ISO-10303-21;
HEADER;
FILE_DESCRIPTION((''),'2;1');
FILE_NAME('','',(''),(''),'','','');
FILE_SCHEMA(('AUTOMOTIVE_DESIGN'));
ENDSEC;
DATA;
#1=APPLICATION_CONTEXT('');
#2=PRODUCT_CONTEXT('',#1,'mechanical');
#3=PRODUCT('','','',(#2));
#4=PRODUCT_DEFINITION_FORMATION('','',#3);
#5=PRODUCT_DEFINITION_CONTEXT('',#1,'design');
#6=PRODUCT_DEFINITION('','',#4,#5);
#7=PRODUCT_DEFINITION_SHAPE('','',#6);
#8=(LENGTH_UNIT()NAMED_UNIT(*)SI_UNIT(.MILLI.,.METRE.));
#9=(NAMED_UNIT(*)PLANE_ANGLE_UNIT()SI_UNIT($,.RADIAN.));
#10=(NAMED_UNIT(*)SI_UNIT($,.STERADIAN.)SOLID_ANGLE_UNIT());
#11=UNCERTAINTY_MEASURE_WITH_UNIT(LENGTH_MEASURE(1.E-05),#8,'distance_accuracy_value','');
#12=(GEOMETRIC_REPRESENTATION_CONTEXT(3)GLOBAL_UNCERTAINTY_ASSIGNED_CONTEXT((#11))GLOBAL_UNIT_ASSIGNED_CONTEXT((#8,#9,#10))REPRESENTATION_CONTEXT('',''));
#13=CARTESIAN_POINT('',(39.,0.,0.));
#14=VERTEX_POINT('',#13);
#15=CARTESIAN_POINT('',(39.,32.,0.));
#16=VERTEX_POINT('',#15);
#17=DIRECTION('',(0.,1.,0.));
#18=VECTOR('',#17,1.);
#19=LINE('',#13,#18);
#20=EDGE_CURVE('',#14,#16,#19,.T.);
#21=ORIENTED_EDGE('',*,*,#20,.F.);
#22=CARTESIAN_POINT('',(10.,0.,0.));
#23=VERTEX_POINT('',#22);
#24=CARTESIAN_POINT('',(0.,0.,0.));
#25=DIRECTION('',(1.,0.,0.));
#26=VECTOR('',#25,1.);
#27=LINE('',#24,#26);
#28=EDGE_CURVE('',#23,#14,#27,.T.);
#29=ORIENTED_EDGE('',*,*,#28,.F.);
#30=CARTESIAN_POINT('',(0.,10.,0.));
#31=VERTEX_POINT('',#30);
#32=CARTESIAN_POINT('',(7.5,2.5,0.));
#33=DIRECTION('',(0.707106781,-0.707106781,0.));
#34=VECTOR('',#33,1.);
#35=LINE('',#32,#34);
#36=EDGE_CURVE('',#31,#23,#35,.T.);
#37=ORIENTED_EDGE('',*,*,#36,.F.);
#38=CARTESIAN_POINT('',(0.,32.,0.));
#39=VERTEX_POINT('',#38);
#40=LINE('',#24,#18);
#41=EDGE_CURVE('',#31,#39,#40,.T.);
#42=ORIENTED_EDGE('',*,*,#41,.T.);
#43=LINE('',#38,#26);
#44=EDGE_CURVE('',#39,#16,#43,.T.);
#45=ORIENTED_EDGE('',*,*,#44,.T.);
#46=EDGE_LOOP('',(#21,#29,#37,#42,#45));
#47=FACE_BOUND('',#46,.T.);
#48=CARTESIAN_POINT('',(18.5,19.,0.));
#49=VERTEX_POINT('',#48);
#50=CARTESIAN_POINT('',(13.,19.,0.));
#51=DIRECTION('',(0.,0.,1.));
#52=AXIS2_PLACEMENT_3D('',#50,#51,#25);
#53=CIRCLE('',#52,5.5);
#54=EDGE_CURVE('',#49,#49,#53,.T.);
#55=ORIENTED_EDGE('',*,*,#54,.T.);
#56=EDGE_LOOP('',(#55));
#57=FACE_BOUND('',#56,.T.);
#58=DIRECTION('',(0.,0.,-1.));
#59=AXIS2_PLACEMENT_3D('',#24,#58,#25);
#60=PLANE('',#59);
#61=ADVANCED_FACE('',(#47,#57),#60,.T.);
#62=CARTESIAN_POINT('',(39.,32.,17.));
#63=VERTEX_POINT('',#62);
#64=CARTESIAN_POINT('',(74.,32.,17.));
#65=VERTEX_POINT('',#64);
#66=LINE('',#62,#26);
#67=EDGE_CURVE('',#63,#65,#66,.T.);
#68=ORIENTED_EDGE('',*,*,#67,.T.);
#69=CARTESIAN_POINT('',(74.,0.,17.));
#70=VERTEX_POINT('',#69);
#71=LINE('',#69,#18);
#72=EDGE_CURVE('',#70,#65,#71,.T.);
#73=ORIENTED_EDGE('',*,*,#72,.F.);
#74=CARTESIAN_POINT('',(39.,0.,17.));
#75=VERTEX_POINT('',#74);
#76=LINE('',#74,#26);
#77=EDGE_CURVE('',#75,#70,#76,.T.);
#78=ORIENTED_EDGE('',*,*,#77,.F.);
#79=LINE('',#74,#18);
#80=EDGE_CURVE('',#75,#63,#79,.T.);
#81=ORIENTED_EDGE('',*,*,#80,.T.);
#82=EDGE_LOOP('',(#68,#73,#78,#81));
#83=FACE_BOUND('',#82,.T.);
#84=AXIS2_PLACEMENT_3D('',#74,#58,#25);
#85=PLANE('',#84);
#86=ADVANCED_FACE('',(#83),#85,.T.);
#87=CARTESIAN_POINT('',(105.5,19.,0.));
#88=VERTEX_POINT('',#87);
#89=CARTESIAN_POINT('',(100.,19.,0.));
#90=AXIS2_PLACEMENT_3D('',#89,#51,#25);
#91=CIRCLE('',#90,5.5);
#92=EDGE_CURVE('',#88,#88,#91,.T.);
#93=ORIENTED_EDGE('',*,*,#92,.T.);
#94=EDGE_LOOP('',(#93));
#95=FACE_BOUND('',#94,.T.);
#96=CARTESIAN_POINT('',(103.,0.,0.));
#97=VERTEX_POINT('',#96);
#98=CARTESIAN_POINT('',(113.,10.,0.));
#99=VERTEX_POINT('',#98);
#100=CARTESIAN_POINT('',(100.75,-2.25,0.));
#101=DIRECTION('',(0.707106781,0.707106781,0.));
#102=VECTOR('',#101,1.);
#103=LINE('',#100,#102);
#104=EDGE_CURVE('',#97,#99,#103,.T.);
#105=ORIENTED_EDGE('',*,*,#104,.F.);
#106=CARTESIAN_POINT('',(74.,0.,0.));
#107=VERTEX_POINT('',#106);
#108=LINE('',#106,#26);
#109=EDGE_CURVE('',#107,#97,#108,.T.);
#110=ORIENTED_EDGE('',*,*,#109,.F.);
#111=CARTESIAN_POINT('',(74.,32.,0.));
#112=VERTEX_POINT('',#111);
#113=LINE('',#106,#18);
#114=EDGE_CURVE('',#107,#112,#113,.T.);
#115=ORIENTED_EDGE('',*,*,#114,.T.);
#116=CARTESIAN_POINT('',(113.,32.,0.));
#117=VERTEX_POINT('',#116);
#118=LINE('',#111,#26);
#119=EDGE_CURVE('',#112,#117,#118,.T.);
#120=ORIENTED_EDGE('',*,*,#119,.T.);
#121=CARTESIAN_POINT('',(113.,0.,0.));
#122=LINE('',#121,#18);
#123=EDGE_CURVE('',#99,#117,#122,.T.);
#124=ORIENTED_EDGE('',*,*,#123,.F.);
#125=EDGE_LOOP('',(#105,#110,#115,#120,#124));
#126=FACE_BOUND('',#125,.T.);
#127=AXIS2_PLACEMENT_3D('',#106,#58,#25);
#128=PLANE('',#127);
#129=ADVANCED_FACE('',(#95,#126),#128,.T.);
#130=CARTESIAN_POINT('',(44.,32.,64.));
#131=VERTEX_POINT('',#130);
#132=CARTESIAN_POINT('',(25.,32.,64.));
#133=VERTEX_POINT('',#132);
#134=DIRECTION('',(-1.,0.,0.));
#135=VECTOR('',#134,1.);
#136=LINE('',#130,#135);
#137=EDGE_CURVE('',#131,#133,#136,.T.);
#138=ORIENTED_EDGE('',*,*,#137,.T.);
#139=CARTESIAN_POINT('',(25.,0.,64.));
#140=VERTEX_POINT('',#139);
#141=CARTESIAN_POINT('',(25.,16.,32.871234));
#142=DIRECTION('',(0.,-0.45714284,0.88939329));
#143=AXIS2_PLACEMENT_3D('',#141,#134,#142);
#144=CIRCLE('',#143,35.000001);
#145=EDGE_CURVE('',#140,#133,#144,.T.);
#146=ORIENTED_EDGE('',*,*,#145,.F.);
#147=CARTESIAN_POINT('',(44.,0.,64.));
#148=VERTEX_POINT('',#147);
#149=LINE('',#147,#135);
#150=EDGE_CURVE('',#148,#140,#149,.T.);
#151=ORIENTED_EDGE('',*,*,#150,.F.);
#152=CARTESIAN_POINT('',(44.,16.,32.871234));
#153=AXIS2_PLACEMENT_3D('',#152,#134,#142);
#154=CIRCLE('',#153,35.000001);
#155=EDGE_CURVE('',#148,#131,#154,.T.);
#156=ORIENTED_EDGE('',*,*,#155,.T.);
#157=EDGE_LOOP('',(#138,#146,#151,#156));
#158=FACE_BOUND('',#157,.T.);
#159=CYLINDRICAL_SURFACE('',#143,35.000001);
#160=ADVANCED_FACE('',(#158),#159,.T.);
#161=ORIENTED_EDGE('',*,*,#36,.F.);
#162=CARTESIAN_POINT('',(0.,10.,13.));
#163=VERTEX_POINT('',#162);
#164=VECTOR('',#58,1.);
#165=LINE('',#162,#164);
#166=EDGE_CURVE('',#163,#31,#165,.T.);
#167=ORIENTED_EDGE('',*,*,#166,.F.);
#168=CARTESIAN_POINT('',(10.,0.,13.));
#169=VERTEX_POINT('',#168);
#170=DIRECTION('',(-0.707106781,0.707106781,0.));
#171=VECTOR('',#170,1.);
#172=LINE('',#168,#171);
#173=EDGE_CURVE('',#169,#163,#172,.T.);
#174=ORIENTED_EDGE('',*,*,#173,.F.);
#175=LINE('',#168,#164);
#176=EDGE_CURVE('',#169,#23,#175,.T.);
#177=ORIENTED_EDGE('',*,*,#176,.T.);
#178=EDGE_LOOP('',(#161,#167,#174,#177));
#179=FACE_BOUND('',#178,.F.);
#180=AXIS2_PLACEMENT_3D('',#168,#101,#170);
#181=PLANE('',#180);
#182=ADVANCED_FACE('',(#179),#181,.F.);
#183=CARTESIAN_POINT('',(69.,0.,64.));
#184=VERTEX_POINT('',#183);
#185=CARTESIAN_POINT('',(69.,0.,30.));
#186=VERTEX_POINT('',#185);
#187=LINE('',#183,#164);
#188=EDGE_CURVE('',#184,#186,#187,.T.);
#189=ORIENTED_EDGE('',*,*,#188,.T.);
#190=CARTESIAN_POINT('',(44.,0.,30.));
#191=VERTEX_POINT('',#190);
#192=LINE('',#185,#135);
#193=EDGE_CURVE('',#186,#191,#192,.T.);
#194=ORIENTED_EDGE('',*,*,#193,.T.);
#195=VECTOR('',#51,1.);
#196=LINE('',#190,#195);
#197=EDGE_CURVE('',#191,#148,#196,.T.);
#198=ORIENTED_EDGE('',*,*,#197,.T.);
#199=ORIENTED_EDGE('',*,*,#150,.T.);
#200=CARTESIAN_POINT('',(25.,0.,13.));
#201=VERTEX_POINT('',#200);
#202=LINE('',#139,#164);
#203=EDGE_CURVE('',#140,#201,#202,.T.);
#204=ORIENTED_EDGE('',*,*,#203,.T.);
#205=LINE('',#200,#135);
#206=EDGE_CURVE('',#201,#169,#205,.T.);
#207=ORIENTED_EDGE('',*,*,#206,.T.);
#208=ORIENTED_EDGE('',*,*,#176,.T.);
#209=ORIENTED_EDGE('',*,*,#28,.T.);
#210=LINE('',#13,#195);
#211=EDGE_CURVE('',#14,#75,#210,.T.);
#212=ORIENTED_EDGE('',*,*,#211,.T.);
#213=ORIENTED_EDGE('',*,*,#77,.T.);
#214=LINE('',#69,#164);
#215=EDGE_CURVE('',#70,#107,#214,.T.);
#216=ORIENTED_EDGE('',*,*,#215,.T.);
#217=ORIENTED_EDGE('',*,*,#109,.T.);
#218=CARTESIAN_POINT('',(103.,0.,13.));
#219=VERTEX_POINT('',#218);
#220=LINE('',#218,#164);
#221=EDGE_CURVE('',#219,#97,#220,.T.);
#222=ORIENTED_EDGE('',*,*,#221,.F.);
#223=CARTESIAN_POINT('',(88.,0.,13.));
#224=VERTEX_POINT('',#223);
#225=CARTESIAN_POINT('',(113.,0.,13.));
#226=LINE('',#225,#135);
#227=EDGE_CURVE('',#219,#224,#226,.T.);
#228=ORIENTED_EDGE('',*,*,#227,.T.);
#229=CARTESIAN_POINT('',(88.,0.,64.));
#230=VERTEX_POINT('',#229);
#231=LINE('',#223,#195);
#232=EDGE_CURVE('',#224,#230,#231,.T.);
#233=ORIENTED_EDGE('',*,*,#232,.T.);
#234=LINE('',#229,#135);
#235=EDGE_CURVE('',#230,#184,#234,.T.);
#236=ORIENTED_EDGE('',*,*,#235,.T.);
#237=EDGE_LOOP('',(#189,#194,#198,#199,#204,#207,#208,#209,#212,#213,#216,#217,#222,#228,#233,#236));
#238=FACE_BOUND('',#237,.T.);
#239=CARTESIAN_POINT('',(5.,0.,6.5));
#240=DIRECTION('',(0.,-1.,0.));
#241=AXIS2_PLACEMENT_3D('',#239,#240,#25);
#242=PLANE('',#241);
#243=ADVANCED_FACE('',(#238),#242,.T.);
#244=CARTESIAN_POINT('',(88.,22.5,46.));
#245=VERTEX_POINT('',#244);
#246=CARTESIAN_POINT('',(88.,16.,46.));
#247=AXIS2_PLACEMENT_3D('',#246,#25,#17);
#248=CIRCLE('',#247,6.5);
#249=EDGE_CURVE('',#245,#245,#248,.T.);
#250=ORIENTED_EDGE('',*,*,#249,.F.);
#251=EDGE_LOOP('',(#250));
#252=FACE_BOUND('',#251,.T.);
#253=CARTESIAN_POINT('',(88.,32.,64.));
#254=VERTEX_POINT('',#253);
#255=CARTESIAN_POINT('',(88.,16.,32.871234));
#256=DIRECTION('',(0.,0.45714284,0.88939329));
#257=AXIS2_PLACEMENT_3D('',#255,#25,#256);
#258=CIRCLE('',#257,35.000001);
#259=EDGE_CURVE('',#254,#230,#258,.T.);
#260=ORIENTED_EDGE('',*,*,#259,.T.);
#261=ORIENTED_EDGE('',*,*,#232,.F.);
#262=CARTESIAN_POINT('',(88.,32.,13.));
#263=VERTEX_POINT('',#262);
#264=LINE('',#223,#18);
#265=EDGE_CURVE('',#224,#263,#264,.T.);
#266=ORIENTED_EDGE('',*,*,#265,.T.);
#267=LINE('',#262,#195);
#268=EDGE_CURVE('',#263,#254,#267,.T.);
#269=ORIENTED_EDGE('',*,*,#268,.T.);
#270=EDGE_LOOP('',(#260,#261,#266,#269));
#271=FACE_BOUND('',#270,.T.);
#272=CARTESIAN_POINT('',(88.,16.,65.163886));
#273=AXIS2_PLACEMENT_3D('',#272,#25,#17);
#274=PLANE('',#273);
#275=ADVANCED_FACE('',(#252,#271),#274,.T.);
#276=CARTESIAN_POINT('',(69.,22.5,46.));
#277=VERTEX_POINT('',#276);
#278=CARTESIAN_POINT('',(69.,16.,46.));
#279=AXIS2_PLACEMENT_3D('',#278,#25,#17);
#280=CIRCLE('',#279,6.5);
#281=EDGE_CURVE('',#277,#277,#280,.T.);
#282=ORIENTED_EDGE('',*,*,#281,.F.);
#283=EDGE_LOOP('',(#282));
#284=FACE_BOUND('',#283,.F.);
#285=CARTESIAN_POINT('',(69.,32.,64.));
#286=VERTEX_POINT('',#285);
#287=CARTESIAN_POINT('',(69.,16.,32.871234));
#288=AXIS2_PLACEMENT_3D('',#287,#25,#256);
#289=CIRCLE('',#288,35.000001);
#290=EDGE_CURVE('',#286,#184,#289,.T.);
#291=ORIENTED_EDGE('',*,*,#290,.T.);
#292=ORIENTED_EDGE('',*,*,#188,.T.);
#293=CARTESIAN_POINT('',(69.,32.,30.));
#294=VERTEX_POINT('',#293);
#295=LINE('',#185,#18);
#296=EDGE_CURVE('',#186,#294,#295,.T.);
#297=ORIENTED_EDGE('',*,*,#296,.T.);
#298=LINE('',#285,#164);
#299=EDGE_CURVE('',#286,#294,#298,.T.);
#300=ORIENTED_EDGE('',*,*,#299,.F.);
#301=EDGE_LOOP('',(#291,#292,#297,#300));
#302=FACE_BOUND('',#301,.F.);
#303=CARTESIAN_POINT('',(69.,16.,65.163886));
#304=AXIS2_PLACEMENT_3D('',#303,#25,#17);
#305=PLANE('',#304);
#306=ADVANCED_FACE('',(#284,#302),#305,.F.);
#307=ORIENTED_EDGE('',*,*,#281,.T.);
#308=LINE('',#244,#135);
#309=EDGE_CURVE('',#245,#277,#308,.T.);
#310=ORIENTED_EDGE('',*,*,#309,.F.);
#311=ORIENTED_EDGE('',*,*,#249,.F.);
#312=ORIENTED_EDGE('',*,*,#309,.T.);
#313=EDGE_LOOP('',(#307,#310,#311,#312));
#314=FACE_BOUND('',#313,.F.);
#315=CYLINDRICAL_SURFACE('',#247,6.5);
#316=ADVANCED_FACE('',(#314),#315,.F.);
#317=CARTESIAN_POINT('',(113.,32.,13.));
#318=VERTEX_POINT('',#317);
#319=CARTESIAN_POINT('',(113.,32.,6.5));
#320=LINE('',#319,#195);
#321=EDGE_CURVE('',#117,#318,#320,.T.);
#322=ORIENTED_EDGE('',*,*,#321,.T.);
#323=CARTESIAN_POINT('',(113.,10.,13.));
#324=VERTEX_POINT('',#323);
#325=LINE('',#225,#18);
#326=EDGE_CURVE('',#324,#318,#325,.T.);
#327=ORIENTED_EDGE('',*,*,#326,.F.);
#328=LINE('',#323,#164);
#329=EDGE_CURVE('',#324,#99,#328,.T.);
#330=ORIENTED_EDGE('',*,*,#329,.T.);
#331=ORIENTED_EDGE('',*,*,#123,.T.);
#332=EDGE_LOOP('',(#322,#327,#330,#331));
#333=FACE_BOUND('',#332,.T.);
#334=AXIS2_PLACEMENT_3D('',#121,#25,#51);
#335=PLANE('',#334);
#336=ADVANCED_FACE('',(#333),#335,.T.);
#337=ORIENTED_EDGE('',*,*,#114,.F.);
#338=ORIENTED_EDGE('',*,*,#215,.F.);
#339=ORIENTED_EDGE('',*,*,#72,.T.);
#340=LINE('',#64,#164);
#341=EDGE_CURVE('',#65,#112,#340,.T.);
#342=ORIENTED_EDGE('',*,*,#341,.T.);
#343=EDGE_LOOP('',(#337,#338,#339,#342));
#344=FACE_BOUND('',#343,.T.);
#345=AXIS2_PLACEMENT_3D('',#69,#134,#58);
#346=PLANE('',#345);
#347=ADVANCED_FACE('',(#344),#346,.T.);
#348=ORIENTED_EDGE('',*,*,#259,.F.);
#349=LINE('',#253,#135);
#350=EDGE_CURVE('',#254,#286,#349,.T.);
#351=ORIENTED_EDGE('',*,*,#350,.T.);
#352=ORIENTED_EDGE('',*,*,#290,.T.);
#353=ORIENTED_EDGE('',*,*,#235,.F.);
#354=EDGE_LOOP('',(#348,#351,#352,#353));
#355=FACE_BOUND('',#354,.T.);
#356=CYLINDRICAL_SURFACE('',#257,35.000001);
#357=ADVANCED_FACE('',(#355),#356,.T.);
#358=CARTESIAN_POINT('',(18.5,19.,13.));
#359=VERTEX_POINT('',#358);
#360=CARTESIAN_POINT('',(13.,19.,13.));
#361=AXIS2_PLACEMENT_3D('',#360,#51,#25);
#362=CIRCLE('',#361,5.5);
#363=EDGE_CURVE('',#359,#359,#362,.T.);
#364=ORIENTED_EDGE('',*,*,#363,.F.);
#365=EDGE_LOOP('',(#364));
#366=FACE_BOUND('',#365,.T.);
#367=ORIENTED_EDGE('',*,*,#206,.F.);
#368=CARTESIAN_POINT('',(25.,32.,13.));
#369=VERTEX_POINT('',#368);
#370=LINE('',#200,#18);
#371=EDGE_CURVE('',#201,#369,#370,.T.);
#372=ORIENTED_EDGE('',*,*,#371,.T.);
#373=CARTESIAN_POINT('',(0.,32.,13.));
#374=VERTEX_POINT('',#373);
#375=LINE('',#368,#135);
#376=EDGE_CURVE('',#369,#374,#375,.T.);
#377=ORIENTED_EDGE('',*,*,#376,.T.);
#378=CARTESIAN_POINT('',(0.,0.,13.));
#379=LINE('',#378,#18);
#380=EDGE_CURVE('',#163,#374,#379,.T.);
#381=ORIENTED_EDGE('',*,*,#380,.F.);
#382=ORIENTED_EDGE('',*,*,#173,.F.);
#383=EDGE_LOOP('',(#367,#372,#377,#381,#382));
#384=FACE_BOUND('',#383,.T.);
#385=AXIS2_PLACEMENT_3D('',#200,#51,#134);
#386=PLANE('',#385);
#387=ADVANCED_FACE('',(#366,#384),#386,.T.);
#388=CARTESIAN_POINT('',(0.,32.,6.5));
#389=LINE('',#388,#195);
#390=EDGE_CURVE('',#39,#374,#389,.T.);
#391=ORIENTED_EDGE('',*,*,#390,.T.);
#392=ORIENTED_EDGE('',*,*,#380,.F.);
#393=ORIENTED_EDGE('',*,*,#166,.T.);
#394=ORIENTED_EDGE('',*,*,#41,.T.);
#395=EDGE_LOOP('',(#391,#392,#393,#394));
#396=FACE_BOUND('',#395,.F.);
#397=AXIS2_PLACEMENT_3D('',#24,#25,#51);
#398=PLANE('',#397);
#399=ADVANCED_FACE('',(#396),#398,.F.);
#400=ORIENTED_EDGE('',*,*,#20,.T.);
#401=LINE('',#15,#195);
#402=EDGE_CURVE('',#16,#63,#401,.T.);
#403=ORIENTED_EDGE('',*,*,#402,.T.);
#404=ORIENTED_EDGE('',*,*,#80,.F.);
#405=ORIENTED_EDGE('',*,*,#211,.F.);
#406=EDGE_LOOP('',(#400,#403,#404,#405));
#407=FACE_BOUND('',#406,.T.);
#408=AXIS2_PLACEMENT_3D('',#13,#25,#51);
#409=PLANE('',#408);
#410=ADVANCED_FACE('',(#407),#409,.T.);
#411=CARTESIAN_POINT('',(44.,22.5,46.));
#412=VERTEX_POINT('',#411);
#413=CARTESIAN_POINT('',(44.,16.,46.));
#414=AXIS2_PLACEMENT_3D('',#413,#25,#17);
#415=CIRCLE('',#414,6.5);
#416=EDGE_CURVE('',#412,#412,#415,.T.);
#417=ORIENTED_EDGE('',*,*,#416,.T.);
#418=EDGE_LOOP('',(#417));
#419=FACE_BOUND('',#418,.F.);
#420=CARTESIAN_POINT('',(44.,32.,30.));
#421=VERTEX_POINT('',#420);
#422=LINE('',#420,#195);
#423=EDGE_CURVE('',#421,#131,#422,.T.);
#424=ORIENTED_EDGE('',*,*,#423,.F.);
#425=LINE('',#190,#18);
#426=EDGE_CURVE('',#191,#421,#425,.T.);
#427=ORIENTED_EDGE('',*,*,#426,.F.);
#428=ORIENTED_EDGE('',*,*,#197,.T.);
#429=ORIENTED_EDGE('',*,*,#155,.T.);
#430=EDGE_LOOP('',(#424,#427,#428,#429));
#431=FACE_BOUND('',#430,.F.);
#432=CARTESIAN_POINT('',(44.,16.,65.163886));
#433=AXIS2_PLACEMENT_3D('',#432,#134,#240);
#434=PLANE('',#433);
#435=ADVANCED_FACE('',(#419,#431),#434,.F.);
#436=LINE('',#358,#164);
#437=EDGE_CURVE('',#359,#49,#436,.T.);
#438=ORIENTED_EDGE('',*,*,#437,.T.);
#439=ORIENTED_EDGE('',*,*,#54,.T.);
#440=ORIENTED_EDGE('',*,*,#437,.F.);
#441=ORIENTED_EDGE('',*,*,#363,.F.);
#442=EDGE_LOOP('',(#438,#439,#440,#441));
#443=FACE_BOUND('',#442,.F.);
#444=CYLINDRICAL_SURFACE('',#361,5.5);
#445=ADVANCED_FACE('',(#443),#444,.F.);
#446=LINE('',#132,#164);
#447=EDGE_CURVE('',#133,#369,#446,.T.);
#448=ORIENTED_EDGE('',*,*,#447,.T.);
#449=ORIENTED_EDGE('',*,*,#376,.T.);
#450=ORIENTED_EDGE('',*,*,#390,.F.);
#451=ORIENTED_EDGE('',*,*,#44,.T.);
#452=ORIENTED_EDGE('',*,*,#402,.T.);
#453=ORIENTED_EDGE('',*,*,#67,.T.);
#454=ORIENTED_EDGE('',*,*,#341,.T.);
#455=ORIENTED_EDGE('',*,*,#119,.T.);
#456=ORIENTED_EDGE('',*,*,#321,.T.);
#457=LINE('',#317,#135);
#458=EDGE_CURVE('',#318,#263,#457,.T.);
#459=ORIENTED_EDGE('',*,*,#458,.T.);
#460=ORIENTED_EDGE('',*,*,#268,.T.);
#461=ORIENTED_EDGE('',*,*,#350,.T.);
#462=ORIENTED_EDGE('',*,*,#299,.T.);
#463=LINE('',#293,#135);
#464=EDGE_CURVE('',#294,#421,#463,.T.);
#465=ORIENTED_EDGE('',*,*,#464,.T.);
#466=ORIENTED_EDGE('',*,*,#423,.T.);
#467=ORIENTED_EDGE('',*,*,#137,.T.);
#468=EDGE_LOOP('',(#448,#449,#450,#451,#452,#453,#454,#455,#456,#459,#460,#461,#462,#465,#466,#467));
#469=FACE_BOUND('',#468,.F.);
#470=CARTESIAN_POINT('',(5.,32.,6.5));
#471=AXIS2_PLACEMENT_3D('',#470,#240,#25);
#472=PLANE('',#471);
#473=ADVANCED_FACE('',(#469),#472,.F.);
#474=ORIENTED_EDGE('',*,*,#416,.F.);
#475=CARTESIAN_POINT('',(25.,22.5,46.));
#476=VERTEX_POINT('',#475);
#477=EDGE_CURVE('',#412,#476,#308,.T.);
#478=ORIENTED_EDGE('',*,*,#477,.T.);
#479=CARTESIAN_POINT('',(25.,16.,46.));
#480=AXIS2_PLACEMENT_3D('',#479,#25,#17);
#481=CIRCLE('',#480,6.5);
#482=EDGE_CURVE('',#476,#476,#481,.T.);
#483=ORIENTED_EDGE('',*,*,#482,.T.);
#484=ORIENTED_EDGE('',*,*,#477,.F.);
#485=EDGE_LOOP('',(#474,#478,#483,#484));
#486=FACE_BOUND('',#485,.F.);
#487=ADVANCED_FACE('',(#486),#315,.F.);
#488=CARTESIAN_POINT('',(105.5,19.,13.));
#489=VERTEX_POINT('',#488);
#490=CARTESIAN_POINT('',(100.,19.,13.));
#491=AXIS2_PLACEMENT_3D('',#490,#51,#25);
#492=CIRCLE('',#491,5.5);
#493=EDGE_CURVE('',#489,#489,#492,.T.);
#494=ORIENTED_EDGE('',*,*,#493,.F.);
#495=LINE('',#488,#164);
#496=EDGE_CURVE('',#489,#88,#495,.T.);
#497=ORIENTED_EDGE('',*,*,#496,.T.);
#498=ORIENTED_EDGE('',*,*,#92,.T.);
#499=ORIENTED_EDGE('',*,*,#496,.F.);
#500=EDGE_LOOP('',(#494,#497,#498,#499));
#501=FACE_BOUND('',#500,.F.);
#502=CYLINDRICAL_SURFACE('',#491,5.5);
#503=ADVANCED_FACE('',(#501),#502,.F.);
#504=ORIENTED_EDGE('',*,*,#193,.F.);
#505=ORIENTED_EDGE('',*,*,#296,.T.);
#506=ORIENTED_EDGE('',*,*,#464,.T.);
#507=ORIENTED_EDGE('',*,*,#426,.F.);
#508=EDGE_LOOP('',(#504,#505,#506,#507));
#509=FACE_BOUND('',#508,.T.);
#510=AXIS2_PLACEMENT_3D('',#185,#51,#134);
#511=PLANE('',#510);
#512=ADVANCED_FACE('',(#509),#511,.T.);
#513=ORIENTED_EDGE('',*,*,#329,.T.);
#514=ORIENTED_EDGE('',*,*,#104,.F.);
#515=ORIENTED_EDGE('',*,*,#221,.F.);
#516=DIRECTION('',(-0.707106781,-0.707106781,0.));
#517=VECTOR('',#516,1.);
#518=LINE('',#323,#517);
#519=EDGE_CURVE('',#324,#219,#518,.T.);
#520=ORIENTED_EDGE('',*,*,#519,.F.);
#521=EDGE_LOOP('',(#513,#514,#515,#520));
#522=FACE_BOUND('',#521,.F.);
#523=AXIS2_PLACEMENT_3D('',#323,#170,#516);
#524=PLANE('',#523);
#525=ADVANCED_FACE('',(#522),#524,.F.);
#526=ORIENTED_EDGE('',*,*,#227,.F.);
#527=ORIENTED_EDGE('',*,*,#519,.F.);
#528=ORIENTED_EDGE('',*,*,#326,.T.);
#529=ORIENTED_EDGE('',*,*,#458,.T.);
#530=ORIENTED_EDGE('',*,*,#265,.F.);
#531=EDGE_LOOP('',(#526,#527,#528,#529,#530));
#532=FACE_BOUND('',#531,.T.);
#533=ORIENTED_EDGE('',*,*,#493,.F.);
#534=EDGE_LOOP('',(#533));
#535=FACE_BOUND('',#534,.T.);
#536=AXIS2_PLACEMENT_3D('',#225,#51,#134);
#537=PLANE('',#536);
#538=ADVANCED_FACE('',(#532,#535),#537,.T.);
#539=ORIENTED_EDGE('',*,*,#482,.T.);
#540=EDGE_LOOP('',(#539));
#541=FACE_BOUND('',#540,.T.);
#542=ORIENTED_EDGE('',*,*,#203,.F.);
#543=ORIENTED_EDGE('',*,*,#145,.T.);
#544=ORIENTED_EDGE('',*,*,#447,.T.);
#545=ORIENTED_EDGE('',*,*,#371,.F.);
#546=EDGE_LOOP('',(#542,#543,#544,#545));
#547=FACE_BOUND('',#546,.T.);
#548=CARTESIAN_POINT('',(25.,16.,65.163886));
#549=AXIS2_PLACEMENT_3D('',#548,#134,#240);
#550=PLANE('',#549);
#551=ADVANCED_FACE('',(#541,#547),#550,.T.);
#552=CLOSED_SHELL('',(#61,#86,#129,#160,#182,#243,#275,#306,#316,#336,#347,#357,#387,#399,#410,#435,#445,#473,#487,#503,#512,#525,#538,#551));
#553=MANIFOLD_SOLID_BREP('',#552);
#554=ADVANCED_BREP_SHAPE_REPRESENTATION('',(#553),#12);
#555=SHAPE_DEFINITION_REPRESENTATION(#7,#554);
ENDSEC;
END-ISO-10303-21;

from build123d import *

# Parameters (mm, degrees)
F0_W      = 10
F0_H      = 13
F1_DEPTH  = 32
F3_DEPTH  = 25
F4_R      = 5.5
F5_DEPTH  = 13.001
F6_R      = 6.5
F7_DEPTH  = 88.001
F8_DEPTH  = 19
F10_DEPTH = 19


with BuildPart() as f1:
    # F0 (on Front) → F1 (new body)
    with BuildSketch(Plane.XZ):
        with Locations((5, 6.5)):
            Rectangle(F0_W, F0_H)
        Polygon((10, 13), (10, 0), (39, 0), (39, 17), (74, 17), (74, 0), (103, 0), (103, 13), (88, 13), (88, 64), (69, 64), (69, 30), (44, 30), (44, 64), (25, 64), (25, 13), align=None)
        with Locations((108, 6.5)):
            Rectangle(F0_W, F0_H)
    extrude(amount=-F1_DEPTH)

    # F2 (on face) → F3 (cut)
    with BuildSketch(Plane.XY.offset(13)):
        Polygon((0, 0), (10, 0), (0, 10), align=None)
        Polygon((113, 10), (103, 0), (113, 0), align=None)
    extrude(amount=-F3_DEPTH, mode=Mode.SUBTRACT)

    # F4 (on face) → F5 (cut, through all)
    with BuildSketch(Plane.XY.offset(13)):
        with Locations((13, 19)):
            Circle(F4_R)
        with Locations((100, 19)):
            Circle(F4_R)
    extrude(amount=-F5_DEPTH, mode=Mode.SUBTRACT)

    # F6 (on face) → F7 (cut, through all)
    with BuildSketch(Plane.YZ.offset(88)):
        with Locations((16, 46)):
            Circle(F6_R)
    extrude(amount=-F7_DEPTH, mode=Mode.SUBTRACT)

    # F6 (on face) → F8 (join)
    with BuildSketch(Plane.YZ.offset(88)):
        with BuildLine():
            Line((0, 64), (32, 64))
            ThreePointArc((32, 64), (16, 67.871235), (0, 64))
        make_face()
    extrude(amount=-F8_DEPTH)

    # F9 (on face) → F10 (join)
    with BuildSketch(Plane(origin=(25, 0, 0), x_dir=(0, -1, 0), z_dir=(-1, 0, 0))):
        with BuildLine():
            Line((-32, 64), (0, 64))
            ThreePointArc((0, 64), (-16, 67.871235), (-32, 64))
        make_face()
    extrude(amount=-F10_DEPTH)


solid = f1.part
